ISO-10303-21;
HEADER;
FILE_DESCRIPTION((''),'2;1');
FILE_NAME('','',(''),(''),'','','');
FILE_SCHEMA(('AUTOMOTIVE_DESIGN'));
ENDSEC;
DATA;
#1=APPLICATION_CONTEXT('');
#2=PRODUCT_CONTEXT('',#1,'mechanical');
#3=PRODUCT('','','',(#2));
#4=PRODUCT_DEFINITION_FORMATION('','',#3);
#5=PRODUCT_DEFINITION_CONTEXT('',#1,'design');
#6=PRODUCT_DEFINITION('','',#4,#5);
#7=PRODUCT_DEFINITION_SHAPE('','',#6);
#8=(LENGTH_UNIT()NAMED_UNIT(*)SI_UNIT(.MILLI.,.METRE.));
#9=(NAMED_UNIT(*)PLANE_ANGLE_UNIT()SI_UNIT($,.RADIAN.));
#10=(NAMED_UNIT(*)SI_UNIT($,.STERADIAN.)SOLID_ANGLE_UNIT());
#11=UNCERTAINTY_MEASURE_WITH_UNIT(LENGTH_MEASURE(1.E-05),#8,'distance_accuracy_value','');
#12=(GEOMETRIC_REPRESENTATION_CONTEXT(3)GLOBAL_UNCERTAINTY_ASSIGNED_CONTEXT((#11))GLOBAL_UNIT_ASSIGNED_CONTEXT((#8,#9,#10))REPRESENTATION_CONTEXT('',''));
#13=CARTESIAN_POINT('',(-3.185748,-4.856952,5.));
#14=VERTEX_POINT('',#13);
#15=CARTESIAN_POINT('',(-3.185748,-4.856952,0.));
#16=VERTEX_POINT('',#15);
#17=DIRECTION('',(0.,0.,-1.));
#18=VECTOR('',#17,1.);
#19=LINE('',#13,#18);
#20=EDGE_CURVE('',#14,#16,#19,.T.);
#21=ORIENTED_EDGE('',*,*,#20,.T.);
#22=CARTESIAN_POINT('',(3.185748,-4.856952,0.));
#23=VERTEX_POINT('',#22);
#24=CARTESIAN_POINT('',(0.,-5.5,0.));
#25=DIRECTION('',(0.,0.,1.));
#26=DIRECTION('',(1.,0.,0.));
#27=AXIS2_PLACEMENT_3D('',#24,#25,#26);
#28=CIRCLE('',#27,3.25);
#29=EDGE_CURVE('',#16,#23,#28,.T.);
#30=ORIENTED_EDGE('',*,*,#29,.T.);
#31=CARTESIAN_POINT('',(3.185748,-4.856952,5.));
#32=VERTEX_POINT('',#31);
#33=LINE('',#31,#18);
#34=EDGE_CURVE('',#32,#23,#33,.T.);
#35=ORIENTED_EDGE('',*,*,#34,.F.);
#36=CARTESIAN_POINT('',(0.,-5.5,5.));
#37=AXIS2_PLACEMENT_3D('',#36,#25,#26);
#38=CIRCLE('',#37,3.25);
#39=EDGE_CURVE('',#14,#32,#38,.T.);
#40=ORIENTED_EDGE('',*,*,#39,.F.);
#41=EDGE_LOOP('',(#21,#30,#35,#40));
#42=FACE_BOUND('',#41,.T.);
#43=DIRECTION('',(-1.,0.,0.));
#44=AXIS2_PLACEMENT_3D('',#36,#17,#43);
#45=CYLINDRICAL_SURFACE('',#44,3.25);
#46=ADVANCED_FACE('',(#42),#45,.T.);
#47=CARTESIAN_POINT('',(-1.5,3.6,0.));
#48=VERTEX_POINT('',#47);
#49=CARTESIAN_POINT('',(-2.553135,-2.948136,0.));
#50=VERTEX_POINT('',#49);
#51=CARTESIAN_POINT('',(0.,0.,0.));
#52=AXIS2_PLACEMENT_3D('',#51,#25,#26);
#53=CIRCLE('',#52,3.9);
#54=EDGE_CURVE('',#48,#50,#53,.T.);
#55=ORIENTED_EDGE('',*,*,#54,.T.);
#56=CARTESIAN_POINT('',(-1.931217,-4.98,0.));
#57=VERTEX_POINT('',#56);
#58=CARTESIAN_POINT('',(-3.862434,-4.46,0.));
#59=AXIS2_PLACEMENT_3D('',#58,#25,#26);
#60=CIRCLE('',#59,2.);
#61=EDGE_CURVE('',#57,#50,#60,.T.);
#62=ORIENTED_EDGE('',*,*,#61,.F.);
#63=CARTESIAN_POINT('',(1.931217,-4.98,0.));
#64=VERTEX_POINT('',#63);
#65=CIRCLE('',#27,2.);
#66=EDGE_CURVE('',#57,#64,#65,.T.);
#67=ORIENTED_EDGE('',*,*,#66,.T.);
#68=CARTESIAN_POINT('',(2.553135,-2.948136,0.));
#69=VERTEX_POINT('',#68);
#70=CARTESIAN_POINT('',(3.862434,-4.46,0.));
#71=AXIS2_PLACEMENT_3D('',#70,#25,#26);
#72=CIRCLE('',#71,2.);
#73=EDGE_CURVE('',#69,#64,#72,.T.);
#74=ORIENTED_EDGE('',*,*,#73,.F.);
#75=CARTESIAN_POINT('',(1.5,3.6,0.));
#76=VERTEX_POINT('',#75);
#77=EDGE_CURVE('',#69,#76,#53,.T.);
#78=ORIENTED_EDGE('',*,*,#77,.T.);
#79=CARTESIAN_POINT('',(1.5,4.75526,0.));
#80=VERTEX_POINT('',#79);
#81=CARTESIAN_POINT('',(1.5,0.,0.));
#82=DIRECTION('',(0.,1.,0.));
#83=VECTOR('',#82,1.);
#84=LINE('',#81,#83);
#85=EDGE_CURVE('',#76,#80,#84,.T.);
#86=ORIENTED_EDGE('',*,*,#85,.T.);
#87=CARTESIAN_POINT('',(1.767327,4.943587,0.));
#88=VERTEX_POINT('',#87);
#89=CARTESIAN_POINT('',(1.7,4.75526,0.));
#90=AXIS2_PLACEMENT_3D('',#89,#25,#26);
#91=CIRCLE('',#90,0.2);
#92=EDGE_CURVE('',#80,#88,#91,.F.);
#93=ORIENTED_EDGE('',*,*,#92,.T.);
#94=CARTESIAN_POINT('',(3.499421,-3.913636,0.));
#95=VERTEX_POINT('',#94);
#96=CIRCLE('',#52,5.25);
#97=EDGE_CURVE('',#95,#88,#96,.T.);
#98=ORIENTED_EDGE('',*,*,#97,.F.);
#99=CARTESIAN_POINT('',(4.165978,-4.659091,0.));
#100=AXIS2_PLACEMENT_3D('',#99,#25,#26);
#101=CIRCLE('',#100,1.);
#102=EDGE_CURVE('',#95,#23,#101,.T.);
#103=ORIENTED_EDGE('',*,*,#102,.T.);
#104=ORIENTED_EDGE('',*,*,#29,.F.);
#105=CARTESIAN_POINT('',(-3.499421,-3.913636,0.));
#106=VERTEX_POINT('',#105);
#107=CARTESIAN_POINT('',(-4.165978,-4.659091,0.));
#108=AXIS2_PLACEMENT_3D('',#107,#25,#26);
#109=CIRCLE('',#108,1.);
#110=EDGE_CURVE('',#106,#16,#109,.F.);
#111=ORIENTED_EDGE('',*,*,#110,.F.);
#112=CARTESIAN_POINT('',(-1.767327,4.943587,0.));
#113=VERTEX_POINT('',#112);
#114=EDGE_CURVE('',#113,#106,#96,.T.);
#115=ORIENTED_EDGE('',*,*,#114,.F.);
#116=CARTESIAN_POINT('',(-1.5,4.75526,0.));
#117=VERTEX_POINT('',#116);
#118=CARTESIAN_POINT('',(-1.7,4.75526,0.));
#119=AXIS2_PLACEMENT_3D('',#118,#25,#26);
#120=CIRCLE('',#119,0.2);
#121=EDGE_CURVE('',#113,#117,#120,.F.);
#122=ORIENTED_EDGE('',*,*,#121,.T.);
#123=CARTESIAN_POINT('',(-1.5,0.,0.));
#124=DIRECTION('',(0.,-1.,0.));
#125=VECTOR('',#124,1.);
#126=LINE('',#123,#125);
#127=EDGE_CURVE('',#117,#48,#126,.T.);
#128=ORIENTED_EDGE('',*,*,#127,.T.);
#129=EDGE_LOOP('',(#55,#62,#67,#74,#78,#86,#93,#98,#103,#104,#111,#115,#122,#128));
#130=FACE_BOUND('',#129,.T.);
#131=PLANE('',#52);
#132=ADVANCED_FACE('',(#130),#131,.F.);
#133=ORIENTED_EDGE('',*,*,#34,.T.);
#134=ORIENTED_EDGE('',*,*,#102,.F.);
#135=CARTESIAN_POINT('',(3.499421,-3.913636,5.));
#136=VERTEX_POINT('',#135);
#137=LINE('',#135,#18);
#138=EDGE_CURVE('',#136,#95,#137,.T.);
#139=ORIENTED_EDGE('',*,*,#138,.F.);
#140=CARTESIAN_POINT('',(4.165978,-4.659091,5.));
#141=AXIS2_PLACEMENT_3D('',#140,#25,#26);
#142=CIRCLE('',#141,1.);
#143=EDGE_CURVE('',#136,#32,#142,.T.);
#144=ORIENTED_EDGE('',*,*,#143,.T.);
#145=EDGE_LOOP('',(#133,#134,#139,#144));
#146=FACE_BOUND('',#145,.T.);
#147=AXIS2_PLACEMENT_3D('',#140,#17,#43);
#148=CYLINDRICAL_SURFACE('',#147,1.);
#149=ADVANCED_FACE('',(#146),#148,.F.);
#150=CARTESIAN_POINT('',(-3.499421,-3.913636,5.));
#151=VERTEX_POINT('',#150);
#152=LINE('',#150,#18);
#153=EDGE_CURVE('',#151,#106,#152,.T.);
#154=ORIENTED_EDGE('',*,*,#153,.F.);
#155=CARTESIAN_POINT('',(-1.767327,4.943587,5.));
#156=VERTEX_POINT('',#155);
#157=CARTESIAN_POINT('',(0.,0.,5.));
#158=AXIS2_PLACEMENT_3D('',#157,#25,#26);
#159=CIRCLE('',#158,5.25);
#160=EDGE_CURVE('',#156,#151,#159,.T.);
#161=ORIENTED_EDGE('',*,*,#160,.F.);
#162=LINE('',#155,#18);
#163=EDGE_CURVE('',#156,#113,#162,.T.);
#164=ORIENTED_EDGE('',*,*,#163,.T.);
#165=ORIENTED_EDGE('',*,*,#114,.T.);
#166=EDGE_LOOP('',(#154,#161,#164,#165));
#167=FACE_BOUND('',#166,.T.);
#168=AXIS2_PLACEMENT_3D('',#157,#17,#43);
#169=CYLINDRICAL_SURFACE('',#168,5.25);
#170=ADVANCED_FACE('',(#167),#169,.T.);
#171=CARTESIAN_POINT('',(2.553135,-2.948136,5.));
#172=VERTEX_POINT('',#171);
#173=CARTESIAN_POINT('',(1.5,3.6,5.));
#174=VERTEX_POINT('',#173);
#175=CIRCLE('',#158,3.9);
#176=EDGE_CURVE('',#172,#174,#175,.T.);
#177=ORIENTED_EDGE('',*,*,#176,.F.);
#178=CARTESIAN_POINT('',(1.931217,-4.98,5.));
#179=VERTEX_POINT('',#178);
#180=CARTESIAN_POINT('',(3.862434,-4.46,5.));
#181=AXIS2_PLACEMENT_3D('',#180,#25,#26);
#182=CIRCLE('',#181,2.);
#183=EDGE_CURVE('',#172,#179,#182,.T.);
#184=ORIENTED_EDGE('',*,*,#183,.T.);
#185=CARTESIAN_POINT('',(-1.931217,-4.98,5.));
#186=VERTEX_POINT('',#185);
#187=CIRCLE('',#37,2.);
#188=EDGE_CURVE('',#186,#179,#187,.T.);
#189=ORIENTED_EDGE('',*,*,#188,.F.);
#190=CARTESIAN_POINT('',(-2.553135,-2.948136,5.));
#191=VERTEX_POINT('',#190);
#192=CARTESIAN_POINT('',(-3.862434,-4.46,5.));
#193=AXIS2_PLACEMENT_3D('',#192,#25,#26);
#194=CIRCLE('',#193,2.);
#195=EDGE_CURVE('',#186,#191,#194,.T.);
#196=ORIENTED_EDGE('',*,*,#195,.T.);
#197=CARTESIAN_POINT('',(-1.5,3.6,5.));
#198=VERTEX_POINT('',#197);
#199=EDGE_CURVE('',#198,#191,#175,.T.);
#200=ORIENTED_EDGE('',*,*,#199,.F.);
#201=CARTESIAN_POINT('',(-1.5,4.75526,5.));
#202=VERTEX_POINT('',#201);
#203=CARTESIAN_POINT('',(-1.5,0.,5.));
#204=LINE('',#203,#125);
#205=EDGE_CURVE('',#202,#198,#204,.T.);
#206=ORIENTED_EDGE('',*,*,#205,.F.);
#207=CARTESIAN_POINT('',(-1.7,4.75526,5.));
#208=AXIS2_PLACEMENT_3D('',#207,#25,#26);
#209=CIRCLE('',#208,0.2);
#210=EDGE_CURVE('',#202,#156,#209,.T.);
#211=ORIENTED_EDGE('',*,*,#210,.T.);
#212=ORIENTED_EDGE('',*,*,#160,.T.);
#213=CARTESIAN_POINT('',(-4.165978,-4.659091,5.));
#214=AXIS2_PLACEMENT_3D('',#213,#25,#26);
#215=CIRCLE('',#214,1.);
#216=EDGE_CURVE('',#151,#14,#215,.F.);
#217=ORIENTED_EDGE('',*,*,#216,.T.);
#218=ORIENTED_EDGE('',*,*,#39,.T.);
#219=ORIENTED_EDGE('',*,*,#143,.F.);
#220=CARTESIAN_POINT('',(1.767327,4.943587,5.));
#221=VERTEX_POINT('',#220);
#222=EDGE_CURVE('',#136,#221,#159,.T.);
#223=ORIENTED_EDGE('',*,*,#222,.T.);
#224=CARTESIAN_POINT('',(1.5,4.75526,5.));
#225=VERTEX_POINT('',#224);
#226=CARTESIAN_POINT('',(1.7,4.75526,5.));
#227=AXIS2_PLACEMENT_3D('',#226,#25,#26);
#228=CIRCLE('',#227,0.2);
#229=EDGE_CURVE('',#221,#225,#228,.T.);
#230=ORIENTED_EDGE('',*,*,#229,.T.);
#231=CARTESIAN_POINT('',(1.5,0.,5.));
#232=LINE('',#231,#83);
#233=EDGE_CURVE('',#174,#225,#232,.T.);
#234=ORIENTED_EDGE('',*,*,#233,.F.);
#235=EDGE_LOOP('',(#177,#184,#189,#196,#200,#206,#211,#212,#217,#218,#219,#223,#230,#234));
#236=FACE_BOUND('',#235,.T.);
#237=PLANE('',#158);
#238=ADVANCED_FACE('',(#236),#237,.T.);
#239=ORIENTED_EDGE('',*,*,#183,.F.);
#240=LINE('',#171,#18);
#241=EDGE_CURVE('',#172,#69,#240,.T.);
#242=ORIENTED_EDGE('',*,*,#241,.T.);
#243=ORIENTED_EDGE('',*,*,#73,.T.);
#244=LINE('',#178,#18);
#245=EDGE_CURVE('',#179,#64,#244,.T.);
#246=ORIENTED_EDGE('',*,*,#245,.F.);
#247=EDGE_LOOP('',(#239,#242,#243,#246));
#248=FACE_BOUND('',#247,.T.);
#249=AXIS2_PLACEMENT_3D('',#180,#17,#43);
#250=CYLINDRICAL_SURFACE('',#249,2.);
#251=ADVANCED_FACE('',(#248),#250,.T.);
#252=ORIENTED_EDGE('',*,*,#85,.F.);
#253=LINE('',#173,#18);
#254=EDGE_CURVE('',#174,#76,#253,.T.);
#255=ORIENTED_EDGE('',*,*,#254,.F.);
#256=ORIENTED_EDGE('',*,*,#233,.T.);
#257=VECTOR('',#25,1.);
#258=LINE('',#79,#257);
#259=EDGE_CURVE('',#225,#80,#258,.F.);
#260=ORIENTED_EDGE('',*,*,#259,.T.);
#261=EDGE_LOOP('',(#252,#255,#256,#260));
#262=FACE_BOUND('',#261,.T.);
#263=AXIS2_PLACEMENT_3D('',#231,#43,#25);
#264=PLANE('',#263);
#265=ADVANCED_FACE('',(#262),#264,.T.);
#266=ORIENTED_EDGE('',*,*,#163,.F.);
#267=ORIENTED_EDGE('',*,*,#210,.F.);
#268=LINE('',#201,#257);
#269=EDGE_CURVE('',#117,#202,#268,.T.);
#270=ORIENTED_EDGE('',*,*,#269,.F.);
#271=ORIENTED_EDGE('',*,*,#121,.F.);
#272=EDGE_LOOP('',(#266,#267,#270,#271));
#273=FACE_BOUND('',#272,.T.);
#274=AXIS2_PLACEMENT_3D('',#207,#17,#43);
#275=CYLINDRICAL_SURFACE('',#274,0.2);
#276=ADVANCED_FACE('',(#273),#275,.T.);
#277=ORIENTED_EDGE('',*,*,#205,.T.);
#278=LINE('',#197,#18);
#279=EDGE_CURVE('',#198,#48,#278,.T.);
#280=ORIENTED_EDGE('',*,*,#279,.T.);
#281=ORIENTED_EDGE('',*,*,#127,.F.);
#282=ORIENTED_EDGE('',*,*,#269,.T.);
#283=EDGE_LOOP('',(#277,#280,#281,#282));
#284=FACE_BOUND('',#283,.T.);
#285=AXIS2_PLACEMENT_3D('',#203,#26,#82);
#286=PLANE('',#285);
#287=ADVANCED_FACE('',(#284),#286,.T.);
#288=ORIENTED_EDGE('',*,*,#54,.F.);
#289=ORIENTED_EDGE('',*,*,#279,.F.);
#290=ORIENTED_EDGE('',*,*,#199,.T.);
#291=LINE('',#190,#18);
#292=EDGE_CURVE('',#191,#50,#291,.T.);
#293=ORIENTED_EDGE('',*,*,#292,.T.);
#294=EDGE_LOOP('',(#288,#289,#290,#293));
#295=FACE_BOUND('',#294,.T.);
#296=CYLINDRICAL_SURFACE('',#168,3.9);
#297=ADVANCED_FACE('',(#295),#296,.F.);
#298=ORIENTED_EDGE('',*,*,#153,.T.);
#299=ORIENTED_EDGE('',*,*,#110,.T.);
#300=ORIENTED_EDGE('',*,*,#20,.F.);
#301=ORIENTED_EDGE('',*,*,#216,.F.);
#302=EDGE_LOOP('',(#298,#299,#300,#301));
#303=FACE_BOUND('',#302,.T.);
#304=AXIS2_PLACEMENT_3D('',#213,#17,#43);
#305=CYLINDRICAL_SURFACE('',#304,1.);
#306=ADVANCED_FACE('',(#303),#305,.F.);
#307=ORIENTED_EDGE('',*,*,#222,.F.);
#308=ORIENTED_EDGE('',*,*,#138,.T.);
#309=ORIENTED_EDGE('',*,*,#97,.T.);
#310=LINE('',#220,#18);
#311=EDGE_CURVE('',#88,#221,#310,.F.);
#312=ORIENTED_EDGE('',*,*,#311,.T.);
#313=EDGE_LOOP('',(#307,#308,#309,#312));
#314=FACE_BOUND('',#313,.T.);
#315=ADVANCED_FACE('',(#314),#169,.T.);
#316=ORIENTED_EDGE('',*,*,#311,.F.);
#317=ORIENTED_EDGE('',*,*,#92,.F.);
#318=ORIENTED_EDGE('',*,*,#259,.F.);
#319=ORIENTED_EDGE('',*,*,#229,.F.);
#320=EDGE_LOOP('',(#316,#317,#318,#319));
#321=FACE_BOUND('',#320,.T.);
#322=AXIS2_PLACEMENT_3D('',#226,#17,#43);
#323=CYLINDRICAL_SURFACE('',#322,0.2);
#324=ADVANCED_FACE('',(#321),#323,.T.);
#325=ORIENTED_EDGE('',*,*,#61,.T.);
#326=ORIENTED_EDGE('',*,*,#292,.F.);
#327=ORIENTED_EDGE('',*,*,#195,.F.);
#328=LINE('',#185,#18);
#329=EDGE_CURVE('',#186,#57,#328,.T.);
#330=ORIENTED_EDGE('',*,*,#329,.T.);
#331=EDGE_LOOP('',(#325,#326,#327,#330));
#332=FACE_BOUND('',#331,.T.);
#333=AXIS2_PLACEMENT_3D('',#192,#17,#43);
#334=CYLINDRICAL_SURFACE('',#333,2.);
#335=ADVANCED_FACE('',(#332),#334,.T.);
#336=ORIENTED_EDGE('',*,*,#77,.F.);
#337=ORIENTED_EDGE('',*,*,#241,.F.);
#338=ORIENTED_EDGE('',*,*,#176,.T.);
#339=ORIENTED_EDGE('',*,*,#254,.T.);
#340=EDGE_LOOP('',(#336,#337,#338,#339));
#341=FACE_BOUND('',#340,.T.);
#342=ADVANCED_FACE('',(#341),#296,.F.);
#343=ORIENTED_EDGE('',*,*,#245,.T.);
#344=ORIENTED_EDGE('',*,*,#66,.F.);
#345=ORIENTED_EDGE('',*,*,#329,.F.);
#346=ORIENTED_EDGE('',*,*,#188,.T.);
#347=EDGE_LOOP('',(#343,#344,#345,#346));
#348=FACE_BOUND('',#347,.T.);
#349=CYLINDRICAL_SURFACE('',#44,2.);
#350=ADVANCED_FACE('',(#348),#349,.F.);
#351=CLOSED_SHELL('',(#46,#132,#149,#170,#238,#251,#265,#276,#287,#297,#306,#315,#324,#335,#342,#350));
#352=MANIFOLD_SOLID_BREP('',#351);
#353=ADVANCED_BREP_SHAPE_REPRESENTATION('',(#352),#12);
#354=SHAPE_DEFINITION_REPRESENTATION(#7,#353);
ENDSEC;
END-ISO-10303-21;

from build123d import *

# Parameters (mm, degrees)
P_IDAT_VYSUNUT_M1_DEPTH = 5
ZAOBLIT1_R              = 0.2


with BuildPart() as part:
    # Skica1 → Přidat vysunutím1 (new body)
    with BuildSketch(Plane.XY):
        with BuildLine():
            ThreePointArc((-1.931217233, -4.98), (0, -7.5), (1.931217233, -4.98))
            ThreePointArc((1.931217233, -4.98), (1.950012982, -3.874641932), (2.553134647, -2.948135593))
            ThreePointArc((2.553134647, -2.948135593), (3.850518803, 0.619277763), (1.5, 3.6))
            Line((1.5, 3.6), (1.5, 5.031152949))
            ThreePointArc((1.5, 5.031152949), (5.123560056, 1.145265189), (3.49942144, -3.913636364))
            ThreePointArc((3.49942144, -3.913636364), (3.217064036, -4.343555698), (3.185747809, -4.856951872))
            ThreePointArc((3.185747809, -4.856951872), (0, -8.75), (-3.185747809, -4.856951872))
            ThreePointArc((-3.185747809, -4.856951872), (-3.217064036, -4.343555698), (-3.49942144, -3.913636364))
            ThreePointArc((-3.49942144, -3.913636364), (-5.123560056, 1.145265189), (-1.5, 5.031152949))
            Line((-1.5, 5.031152949), (-1.5, 3.6))
            ThreePointArc((-1.5, 3.6), (-3.850518803, 0.619277763), (-2.553134647, -2.948135593))
            ThreePointArc((-2.553134647, -2.948135593), (-1.950012982, -3.874641932), (-1.931217233, -4.98))
        make_face()
    extrude(amount=P_IDAT_VYSUNUT_M1_DEPTH)

    # Zaoblit1
    zaoblit1_edges = [part.edges().sort_by_distance(p)[0] for p in [
        (1.5, 5.031152949, 2.5),
        (-1.5, 5.031152949, 2.5),
    ]]
    fillet(zaoblit1_edges, radius=ZAOBLIT1_R)


solid = part.part
